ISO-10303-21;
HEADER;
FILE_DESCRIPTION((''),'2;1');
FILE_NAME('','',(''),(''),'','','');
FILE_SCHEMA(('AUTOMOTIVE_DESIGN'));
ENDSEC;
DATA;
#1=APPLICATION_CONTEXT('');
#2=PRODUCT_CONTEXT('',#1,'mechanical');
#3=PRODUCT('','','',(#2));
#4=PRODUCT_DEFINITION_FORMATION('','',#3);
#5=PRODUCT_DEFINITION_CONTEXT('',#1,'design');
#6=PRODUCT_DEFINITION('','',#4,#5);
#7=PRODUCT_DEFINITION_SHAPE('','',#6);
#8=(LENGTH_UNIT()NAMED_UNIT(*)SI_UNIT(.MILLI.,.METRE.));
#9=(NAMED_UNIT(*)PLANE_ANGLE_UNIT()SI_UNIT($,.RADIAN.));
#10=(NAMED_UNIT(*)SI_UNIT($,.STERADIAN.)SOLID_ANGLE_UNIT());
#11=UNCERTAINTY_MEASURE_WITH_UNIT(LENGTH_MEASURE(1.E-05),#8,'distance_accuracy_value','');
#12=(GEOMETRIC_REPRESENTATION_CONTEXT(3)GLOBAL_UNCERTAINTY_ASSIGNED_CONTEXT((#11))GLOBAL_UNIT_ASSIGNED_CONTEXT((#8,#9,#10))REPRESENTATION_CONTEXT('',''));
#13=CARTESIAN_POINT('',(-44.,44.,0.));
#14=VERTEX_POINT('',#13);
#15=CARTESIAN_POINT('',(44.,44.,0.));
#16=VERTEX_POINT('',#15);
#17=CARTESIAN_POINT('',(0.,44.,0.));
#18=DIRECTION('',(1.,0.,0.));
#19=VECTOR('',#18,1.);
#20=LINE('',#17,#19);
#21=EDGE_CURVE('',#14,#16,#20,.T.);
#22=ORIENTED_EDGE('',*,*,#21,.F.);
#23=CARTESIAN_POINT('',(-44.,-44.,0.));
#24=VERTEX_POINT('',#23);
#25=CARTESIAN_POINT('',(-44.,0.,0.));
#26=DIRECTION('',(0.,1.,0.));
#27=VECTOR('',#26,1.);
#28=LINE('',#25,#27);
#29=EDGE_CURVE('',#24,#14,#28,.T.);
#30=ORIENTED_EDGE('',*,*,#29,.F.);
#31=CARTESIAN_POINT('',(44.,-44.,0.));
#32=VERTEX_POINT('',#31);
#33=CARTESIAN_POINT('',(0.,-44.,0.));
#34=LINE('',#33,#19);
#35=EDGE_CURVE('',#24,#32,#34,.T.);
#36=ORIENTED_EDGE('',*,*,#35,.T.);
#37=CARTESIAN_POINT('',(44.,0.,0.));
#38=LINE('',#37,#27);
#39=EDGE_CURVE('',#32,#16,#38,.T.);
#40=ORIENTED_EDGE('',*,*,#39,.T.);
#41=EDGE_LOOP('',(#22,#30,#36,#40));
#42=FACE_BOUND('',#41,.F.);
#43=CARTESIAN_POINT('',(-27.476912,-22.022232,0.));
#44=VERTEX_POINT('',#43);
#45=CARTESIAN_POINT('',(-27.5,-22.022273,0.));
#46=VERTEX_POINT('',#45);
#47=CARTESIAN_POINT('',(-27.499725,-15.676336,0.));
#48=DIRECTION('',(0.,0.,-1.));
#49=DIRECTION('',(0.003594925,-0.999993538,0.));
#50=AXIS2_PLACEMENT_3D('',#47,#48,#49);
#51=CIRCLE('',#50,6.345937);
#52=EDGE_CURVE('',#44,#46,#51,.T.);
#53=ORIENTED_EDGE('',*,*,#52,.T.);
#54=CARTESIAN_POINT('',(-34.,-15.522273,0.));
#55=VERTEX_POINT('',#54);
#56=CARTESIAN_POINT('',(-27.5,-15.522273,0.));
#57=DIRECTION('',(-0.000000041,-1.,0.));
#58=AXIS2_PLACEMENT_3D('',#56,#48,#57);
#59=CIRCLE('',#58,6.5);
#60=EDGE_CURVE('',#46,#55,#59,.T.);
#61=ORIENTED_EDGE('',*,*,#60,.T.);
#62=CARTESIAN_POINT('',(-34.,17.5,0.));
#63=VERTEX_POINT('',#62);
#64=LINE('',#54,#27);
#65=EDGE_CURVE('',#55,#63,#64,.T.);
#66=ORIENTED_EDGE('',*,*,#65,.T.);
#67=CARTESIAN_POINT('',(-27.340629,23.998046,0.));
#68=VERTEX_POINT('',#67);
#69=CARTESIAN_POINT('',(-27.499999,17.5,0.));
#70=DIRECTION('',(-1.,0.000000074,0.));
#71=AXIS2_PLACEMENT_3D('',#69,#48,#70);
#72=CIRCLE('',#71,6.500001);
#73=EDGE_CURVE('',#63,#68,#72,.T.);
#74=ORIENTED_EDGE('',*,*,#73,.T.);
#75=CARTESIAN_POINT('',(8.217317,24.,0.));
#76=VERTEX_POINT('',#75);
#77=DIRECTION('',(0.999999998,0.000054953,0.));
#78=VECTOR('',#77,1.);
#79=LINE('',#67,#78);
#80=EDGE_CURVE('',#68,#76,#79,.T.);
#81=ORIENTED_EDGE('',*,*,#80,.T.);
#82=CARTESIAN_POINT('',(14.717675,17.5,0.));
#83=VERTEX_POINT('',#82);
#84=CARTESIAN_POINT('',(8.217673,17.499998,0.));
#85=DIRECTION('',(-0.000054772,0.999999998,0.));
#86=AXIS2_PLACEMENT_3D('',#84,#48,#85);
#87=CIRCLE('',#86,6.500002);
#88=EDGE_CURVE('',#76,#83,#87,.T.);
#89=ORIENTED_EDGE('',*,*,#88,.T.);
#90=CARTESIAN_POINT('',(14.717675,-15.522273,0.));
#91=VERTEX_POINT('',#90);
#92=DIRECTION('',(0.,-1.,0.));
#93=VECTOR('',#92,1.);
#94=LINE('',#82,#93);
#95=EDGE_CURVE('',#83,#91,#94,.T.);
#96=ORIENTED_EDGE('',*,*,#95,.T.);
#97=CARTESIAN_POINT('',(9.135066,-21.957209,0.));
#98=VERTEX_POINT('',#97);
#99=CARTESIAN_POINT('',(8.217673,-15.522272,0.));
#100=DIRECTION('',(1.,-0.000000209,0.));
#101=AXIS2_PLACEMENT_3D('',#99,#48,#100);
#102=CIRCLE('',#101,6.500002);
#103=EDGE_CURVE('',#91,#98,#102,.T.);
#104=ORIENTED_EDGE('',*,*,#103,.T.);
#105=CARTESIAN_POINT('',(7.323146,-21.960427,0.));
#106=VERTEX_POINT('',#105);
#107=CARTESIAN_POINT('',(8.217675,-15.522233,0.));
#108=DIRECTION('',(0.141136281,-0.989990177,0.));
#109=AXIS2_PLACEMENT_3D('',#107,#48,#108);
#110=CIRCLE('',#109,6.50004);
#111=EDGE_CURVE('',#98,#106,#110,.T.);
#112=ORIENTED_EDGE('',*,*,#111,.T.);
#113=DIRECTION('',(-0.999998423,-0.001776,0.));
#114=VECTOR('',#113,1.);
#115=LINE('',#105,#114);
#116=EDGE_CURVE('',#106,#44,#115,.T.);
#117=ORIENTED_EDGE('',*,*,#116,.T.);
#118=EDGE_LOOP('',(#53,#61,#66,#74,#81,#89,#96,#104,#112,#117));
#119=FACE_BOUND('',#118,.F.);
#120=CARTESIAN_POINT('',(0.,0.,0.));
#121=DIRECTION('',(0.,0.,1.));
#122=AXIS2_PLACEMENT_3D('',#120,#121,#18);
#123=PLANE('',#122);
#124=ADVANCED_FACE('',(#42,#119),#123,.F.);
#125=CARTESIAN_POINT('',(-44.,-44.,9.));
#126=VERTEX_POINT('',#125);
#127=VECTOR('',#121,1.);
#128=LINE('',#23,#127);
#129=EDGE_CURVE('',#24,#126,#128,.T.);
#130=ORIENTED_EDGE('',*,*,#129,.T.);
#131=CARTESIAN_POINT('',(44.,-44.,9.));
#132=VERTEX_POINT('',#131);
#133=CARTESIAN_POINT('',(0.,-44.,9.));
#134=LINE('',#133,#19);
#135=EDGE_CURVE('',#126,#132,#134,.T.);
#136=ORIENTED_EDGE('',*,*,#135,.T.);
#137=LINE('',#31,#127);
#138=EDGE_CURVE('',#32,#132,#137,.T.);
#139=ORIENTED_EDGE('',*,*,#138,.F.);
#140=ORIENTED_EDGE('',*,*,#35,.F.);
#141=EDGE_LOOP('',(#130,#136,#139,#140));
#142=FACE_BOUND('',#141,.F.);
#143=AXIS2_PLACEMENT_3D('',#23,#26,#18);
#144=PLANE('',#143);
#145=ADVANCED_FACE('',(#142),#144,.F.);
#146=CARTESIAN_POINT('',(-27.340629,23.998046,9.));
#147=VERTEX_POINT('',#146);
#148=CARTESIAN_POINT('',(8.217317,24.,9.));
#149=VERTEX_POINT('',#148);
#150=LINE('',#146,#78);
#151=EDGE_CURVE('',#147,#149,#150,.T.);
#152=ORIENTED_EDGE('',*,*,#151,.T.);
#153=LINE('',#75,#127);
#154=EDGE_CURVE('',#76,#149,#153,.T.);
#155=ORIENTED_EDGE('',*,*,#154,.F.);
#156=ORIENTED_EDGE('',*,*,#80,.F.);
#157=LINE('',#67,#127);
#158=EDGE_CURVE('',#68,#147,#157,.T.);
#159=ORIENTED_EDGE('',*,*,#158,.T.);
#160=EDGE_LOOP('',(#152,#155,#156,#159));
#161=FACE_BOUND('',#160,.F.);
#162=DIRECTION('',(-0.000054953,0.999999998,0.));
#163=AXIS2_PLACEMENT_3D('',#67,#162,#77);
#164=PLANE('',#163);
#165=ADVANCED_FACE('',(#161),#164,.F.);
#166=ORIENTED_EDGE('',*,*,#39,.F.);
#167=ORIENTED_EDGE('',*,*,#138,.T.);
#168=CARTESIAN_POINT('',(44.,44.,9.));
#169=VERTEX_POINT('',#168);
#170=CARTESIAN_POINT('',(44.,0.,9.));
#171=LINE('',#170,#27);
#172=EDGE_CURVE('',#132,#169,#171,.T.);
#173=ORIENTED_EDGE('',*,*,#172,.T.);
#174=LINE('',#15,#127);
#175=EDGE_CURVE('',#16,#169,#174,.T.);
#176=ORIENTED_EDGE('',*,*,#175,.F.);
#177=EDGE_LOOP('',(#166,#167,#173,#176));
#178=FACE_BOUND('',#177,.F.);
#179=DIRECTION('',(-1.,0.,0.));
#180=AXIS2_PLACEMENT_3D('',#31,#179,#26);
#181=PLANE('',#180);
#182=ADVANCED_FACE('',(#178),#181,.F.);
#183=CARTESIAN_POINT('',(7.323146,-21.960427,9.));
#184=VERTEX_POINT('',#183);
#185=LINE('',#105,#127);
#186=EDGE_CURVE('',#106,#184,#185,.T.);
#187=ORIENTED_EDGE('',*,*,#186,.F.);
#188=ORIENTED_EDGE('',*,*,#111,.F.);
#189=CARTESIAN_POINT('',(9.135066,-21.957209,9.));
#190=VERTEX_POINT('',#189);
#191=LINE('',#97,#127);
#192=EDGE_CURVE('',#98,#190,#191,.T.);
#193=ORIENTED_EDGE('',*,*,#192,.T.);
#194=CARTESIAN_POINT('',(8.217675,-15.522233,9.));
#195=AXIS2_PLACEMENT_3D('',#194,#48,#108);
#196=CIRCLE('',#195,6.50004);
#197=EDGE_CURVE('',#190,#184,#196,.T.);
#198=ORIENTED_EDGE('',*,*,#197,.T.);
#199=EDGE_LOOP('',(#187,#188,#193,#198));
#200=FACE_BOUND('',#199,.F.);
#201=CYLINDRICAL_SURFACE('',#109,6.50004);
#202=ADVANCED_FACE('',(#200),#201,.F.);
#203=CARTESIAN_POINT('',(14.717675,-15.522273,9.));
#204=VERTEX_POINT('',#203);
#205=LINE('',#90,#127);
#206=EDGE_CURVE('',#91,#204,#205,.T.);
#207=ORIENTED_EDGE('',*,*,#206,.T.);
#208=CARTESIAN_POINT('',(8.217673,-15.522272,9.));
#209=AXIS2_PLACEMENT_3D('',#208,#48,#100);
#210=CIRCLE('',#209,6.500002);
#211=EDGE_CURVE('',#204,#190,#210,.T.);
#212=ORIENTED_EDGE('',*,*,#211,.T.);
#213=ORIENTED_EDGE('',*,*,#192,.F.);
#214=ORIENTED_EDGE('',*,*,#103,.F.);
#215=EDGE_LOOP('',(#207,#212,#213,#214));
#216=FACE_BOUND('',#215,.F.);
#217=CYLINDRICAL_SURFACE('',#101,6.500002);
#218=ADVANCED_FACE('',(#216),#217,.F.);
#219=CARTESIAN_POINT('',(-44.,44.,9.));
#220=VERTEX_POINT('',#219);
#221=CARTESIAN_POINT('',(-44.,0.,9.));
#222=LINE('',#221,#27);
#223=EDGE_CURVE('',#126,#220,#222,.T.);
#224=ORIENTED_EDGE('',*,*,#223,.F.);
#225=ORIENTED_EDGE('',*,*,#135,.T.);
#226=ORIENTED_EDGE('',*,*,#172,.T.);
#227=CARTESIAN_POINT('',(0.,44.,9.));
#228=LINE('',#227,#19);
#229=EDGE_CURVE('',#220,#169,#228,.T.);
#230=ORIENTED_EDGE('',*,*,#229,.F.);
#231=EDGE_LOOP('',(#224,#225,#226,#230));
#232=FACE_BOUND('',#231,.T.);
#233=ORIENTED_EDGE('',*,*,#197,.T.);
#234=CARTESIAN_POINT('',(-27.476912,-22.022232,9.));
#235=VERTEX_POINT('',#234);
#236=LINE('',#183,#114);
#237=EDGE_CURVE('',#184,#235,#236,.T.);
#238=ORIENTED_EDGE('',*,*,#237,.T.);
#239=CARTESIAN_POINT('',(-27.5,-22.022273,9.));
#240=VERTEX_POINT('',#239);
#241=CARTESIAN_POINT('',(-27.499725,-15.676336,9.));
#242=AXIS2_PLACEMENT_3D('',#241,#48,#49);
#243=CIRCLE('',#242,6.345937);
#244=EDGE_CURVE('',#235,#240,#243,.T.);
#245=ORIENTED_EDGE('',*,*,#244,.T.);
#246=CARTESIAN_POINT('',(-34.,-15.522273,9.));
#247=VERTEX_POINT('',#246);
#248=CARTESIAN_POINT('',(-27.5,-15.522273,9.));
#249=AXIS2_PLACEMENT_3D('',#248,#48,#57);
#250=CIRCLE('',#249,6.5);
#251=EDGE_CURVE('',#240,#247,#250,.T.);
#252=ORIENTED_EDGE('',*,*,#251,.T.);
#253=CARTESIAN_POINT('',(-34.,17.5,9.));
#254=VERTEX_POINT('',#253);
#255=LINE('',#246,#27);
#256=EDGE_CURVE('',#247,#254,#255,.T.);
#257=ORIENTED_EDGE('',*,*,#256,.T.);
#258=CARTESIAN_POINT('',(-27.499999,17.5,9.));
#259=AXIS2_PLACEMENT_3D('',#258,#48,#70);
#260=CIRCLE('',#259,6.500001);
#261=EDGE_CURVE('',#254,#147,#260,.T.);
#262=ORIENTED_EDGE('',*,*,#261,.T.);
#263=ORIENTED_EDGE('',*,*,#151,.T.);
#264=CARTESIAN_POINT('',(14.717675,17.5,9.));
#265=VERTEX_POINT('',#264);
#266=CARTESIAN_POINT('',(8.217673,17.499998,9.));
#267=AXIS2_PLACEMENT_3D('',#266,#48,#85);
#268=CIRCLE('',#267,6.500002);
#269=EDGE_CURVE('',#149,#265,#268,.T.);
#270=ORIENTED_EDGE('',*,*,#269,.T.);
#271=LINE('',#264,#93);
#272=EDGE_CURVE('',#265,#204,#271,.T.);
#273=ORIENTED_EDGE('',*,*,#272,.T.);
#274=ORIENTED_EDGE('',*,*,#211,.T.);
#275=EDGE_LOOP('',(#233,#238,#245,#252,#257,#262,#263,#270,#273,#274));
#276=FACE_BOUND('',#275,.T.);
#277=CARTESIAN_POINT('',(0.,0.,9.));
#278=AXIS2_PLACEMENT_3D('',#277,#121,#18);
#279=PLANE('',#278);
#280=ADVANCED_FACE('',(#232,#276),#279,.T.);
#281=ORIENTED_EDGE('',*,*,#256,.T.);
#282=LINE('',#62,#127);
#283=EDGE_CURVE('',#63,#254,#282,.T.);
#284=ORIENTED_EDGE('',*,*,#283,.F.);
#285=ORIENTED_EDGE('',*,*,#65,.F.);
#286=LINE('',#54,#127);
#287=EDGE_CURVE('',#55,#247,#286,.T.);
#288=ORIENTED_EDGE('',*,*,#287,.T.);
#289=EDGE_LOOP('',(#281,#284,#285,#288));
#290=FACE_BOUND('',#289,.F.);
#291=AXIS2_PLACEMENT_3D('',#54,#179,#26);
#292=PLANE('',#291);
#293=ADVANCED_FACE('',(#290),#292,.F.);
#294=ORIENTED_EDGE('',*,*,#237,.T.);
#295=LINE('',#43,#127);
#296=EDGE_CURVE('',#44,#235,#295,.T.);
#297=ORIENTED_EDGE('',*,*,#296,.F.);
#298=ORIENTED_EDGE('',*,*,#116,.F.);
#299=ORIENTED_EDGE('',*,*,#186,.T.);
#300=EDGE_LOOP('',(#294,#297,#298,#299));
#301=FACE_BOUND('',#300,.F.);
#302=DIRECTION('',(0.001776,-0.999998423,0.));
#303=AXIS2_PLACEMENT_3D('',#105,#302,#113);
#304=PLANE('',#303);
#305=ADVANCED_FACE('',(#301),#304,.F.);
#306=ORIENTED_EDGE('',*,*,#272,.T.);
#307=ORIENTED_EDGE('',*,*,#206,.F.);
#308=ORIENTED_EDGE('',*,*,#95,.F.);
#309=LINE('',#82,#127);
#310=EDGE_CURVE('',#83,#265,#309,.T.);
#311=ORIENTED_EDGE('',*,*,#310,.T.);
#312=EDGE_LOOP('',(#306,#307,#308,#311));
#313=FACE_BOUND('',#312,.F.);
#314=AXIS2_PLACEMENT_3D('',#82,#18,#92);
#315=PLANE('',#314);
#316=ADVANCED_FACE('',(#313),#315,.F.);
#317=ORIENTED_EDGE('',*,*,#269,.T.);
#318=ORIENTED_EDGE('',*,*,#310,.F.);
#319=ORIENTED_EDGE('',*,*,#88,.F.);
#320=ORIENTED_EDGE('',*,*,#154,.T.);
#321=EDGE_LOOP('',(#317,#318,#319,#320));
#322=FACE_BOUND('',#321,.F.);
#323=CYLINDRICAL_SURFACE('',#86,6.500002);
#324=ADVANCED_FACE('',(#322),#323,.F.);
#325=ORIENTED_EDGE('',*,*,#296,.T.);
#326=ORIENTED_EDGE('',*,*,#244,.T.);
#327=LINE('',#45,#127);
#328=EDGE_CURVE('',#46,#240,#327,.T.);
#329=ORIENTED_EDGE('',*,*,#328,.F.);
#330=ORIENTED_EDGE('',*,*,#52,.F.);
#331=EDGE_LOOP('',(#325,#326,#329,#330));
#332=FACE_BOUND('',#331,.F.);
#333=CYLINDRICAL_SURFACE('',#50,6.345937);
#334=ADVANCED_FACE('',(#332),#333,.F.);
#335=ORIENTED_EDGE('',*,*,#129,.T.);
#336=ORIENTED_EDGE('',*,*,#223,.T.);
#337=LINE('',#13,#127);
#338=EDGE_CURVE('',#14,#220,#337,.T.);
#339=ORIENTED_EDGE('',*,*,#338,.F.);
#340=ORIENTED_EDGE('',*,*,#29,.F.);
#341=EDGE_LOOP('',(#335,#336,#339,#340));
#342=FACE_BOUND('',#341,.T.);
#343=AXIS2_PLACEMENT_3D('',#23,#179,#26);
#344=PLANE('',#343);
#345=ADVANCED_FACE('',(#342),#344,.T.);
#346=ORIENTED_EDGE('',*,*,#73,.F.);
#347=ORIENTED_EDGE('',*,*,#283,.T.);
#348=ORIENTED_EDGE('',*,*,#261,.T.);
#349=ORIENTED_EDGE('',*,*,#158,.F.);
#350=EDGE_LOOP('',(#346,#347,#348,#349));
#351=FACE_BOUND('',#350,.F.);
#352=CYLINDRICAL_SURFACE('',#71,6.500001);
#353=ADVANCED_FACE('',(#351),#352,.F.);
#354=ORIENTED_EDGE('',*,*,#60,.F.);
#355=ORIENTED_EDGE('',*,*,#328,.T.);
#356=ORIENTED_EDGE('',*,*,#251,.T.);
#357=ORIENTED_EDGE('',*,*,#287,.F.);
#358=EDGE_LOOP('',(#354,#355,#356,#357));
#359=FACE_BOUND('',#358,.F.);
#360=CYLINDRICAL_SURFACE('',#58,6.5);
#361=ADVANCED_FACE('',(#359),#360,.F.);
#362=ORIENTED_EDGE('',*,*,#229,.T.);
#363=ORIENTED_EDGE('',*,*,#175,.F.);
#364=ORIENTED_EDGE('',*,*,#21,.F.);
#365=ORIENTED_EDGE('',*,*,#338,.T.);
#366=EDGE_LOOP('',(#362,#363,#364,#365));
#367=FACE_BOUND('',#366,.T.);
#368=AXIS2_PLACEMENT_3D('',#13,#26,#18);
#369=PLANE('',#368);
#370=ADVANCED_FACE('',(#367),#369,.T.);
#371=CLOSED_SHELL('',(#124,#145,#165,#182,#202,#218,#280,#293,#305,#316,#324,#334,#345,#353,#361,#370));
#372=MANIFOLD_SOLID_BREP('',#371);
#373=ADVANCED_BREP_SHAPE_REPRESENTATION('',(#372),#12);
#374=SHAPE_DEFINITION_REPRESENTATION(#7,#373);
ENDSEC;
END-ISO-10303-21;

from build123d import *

# Parameters (mm, degrees)
F0_W     = 88
F0_H     = 88
F1_DEPTH = 9


with BuildPart() as f1:
    # F0 (on Top) → F1 (new body)
    with BuildSketch(Plane.XY):
        Rectangle(F0_W, F0_H)
        with BuildLine():
            ThreePointArc((-34, 17.5), (-32.039498, 22.152199), (-27.340629, 23.998046))
            Line((-27.340629, 23.998046), (8.217317, 24))
            ThreePointArc((8.217317, 24), (12.813742, 22.09632), (14.717675, 17.5))
            Line((14.717675, 17.5), (14.717675, -15.522273))
            ThreePointArc((14.717675, -15.522273), (13.127514, -19.781789), (9.135066, -21.957209))
            ThreePointArc((9.135066, -21.957209), (8.229219, -22.022263), (7.323146, -21.960427))
            Line((7.323146, -21.960427), (-27.476912, -22.022232))
            ThreePointArc((-27.476912, -22.022232), (-27.488456, -22.022263), (-27.5, -22.022273))
            ThreePointArc((-27.5, -22.022273), (-32.096194, -20.118467), (-34, -15.522273))
            Line((-34, -15.522273), (-34, 17.5))
        make_face(mode=Mode.SUBTRACT)
    extrude(amount=F1_DEPTH)


solid = f1.part
